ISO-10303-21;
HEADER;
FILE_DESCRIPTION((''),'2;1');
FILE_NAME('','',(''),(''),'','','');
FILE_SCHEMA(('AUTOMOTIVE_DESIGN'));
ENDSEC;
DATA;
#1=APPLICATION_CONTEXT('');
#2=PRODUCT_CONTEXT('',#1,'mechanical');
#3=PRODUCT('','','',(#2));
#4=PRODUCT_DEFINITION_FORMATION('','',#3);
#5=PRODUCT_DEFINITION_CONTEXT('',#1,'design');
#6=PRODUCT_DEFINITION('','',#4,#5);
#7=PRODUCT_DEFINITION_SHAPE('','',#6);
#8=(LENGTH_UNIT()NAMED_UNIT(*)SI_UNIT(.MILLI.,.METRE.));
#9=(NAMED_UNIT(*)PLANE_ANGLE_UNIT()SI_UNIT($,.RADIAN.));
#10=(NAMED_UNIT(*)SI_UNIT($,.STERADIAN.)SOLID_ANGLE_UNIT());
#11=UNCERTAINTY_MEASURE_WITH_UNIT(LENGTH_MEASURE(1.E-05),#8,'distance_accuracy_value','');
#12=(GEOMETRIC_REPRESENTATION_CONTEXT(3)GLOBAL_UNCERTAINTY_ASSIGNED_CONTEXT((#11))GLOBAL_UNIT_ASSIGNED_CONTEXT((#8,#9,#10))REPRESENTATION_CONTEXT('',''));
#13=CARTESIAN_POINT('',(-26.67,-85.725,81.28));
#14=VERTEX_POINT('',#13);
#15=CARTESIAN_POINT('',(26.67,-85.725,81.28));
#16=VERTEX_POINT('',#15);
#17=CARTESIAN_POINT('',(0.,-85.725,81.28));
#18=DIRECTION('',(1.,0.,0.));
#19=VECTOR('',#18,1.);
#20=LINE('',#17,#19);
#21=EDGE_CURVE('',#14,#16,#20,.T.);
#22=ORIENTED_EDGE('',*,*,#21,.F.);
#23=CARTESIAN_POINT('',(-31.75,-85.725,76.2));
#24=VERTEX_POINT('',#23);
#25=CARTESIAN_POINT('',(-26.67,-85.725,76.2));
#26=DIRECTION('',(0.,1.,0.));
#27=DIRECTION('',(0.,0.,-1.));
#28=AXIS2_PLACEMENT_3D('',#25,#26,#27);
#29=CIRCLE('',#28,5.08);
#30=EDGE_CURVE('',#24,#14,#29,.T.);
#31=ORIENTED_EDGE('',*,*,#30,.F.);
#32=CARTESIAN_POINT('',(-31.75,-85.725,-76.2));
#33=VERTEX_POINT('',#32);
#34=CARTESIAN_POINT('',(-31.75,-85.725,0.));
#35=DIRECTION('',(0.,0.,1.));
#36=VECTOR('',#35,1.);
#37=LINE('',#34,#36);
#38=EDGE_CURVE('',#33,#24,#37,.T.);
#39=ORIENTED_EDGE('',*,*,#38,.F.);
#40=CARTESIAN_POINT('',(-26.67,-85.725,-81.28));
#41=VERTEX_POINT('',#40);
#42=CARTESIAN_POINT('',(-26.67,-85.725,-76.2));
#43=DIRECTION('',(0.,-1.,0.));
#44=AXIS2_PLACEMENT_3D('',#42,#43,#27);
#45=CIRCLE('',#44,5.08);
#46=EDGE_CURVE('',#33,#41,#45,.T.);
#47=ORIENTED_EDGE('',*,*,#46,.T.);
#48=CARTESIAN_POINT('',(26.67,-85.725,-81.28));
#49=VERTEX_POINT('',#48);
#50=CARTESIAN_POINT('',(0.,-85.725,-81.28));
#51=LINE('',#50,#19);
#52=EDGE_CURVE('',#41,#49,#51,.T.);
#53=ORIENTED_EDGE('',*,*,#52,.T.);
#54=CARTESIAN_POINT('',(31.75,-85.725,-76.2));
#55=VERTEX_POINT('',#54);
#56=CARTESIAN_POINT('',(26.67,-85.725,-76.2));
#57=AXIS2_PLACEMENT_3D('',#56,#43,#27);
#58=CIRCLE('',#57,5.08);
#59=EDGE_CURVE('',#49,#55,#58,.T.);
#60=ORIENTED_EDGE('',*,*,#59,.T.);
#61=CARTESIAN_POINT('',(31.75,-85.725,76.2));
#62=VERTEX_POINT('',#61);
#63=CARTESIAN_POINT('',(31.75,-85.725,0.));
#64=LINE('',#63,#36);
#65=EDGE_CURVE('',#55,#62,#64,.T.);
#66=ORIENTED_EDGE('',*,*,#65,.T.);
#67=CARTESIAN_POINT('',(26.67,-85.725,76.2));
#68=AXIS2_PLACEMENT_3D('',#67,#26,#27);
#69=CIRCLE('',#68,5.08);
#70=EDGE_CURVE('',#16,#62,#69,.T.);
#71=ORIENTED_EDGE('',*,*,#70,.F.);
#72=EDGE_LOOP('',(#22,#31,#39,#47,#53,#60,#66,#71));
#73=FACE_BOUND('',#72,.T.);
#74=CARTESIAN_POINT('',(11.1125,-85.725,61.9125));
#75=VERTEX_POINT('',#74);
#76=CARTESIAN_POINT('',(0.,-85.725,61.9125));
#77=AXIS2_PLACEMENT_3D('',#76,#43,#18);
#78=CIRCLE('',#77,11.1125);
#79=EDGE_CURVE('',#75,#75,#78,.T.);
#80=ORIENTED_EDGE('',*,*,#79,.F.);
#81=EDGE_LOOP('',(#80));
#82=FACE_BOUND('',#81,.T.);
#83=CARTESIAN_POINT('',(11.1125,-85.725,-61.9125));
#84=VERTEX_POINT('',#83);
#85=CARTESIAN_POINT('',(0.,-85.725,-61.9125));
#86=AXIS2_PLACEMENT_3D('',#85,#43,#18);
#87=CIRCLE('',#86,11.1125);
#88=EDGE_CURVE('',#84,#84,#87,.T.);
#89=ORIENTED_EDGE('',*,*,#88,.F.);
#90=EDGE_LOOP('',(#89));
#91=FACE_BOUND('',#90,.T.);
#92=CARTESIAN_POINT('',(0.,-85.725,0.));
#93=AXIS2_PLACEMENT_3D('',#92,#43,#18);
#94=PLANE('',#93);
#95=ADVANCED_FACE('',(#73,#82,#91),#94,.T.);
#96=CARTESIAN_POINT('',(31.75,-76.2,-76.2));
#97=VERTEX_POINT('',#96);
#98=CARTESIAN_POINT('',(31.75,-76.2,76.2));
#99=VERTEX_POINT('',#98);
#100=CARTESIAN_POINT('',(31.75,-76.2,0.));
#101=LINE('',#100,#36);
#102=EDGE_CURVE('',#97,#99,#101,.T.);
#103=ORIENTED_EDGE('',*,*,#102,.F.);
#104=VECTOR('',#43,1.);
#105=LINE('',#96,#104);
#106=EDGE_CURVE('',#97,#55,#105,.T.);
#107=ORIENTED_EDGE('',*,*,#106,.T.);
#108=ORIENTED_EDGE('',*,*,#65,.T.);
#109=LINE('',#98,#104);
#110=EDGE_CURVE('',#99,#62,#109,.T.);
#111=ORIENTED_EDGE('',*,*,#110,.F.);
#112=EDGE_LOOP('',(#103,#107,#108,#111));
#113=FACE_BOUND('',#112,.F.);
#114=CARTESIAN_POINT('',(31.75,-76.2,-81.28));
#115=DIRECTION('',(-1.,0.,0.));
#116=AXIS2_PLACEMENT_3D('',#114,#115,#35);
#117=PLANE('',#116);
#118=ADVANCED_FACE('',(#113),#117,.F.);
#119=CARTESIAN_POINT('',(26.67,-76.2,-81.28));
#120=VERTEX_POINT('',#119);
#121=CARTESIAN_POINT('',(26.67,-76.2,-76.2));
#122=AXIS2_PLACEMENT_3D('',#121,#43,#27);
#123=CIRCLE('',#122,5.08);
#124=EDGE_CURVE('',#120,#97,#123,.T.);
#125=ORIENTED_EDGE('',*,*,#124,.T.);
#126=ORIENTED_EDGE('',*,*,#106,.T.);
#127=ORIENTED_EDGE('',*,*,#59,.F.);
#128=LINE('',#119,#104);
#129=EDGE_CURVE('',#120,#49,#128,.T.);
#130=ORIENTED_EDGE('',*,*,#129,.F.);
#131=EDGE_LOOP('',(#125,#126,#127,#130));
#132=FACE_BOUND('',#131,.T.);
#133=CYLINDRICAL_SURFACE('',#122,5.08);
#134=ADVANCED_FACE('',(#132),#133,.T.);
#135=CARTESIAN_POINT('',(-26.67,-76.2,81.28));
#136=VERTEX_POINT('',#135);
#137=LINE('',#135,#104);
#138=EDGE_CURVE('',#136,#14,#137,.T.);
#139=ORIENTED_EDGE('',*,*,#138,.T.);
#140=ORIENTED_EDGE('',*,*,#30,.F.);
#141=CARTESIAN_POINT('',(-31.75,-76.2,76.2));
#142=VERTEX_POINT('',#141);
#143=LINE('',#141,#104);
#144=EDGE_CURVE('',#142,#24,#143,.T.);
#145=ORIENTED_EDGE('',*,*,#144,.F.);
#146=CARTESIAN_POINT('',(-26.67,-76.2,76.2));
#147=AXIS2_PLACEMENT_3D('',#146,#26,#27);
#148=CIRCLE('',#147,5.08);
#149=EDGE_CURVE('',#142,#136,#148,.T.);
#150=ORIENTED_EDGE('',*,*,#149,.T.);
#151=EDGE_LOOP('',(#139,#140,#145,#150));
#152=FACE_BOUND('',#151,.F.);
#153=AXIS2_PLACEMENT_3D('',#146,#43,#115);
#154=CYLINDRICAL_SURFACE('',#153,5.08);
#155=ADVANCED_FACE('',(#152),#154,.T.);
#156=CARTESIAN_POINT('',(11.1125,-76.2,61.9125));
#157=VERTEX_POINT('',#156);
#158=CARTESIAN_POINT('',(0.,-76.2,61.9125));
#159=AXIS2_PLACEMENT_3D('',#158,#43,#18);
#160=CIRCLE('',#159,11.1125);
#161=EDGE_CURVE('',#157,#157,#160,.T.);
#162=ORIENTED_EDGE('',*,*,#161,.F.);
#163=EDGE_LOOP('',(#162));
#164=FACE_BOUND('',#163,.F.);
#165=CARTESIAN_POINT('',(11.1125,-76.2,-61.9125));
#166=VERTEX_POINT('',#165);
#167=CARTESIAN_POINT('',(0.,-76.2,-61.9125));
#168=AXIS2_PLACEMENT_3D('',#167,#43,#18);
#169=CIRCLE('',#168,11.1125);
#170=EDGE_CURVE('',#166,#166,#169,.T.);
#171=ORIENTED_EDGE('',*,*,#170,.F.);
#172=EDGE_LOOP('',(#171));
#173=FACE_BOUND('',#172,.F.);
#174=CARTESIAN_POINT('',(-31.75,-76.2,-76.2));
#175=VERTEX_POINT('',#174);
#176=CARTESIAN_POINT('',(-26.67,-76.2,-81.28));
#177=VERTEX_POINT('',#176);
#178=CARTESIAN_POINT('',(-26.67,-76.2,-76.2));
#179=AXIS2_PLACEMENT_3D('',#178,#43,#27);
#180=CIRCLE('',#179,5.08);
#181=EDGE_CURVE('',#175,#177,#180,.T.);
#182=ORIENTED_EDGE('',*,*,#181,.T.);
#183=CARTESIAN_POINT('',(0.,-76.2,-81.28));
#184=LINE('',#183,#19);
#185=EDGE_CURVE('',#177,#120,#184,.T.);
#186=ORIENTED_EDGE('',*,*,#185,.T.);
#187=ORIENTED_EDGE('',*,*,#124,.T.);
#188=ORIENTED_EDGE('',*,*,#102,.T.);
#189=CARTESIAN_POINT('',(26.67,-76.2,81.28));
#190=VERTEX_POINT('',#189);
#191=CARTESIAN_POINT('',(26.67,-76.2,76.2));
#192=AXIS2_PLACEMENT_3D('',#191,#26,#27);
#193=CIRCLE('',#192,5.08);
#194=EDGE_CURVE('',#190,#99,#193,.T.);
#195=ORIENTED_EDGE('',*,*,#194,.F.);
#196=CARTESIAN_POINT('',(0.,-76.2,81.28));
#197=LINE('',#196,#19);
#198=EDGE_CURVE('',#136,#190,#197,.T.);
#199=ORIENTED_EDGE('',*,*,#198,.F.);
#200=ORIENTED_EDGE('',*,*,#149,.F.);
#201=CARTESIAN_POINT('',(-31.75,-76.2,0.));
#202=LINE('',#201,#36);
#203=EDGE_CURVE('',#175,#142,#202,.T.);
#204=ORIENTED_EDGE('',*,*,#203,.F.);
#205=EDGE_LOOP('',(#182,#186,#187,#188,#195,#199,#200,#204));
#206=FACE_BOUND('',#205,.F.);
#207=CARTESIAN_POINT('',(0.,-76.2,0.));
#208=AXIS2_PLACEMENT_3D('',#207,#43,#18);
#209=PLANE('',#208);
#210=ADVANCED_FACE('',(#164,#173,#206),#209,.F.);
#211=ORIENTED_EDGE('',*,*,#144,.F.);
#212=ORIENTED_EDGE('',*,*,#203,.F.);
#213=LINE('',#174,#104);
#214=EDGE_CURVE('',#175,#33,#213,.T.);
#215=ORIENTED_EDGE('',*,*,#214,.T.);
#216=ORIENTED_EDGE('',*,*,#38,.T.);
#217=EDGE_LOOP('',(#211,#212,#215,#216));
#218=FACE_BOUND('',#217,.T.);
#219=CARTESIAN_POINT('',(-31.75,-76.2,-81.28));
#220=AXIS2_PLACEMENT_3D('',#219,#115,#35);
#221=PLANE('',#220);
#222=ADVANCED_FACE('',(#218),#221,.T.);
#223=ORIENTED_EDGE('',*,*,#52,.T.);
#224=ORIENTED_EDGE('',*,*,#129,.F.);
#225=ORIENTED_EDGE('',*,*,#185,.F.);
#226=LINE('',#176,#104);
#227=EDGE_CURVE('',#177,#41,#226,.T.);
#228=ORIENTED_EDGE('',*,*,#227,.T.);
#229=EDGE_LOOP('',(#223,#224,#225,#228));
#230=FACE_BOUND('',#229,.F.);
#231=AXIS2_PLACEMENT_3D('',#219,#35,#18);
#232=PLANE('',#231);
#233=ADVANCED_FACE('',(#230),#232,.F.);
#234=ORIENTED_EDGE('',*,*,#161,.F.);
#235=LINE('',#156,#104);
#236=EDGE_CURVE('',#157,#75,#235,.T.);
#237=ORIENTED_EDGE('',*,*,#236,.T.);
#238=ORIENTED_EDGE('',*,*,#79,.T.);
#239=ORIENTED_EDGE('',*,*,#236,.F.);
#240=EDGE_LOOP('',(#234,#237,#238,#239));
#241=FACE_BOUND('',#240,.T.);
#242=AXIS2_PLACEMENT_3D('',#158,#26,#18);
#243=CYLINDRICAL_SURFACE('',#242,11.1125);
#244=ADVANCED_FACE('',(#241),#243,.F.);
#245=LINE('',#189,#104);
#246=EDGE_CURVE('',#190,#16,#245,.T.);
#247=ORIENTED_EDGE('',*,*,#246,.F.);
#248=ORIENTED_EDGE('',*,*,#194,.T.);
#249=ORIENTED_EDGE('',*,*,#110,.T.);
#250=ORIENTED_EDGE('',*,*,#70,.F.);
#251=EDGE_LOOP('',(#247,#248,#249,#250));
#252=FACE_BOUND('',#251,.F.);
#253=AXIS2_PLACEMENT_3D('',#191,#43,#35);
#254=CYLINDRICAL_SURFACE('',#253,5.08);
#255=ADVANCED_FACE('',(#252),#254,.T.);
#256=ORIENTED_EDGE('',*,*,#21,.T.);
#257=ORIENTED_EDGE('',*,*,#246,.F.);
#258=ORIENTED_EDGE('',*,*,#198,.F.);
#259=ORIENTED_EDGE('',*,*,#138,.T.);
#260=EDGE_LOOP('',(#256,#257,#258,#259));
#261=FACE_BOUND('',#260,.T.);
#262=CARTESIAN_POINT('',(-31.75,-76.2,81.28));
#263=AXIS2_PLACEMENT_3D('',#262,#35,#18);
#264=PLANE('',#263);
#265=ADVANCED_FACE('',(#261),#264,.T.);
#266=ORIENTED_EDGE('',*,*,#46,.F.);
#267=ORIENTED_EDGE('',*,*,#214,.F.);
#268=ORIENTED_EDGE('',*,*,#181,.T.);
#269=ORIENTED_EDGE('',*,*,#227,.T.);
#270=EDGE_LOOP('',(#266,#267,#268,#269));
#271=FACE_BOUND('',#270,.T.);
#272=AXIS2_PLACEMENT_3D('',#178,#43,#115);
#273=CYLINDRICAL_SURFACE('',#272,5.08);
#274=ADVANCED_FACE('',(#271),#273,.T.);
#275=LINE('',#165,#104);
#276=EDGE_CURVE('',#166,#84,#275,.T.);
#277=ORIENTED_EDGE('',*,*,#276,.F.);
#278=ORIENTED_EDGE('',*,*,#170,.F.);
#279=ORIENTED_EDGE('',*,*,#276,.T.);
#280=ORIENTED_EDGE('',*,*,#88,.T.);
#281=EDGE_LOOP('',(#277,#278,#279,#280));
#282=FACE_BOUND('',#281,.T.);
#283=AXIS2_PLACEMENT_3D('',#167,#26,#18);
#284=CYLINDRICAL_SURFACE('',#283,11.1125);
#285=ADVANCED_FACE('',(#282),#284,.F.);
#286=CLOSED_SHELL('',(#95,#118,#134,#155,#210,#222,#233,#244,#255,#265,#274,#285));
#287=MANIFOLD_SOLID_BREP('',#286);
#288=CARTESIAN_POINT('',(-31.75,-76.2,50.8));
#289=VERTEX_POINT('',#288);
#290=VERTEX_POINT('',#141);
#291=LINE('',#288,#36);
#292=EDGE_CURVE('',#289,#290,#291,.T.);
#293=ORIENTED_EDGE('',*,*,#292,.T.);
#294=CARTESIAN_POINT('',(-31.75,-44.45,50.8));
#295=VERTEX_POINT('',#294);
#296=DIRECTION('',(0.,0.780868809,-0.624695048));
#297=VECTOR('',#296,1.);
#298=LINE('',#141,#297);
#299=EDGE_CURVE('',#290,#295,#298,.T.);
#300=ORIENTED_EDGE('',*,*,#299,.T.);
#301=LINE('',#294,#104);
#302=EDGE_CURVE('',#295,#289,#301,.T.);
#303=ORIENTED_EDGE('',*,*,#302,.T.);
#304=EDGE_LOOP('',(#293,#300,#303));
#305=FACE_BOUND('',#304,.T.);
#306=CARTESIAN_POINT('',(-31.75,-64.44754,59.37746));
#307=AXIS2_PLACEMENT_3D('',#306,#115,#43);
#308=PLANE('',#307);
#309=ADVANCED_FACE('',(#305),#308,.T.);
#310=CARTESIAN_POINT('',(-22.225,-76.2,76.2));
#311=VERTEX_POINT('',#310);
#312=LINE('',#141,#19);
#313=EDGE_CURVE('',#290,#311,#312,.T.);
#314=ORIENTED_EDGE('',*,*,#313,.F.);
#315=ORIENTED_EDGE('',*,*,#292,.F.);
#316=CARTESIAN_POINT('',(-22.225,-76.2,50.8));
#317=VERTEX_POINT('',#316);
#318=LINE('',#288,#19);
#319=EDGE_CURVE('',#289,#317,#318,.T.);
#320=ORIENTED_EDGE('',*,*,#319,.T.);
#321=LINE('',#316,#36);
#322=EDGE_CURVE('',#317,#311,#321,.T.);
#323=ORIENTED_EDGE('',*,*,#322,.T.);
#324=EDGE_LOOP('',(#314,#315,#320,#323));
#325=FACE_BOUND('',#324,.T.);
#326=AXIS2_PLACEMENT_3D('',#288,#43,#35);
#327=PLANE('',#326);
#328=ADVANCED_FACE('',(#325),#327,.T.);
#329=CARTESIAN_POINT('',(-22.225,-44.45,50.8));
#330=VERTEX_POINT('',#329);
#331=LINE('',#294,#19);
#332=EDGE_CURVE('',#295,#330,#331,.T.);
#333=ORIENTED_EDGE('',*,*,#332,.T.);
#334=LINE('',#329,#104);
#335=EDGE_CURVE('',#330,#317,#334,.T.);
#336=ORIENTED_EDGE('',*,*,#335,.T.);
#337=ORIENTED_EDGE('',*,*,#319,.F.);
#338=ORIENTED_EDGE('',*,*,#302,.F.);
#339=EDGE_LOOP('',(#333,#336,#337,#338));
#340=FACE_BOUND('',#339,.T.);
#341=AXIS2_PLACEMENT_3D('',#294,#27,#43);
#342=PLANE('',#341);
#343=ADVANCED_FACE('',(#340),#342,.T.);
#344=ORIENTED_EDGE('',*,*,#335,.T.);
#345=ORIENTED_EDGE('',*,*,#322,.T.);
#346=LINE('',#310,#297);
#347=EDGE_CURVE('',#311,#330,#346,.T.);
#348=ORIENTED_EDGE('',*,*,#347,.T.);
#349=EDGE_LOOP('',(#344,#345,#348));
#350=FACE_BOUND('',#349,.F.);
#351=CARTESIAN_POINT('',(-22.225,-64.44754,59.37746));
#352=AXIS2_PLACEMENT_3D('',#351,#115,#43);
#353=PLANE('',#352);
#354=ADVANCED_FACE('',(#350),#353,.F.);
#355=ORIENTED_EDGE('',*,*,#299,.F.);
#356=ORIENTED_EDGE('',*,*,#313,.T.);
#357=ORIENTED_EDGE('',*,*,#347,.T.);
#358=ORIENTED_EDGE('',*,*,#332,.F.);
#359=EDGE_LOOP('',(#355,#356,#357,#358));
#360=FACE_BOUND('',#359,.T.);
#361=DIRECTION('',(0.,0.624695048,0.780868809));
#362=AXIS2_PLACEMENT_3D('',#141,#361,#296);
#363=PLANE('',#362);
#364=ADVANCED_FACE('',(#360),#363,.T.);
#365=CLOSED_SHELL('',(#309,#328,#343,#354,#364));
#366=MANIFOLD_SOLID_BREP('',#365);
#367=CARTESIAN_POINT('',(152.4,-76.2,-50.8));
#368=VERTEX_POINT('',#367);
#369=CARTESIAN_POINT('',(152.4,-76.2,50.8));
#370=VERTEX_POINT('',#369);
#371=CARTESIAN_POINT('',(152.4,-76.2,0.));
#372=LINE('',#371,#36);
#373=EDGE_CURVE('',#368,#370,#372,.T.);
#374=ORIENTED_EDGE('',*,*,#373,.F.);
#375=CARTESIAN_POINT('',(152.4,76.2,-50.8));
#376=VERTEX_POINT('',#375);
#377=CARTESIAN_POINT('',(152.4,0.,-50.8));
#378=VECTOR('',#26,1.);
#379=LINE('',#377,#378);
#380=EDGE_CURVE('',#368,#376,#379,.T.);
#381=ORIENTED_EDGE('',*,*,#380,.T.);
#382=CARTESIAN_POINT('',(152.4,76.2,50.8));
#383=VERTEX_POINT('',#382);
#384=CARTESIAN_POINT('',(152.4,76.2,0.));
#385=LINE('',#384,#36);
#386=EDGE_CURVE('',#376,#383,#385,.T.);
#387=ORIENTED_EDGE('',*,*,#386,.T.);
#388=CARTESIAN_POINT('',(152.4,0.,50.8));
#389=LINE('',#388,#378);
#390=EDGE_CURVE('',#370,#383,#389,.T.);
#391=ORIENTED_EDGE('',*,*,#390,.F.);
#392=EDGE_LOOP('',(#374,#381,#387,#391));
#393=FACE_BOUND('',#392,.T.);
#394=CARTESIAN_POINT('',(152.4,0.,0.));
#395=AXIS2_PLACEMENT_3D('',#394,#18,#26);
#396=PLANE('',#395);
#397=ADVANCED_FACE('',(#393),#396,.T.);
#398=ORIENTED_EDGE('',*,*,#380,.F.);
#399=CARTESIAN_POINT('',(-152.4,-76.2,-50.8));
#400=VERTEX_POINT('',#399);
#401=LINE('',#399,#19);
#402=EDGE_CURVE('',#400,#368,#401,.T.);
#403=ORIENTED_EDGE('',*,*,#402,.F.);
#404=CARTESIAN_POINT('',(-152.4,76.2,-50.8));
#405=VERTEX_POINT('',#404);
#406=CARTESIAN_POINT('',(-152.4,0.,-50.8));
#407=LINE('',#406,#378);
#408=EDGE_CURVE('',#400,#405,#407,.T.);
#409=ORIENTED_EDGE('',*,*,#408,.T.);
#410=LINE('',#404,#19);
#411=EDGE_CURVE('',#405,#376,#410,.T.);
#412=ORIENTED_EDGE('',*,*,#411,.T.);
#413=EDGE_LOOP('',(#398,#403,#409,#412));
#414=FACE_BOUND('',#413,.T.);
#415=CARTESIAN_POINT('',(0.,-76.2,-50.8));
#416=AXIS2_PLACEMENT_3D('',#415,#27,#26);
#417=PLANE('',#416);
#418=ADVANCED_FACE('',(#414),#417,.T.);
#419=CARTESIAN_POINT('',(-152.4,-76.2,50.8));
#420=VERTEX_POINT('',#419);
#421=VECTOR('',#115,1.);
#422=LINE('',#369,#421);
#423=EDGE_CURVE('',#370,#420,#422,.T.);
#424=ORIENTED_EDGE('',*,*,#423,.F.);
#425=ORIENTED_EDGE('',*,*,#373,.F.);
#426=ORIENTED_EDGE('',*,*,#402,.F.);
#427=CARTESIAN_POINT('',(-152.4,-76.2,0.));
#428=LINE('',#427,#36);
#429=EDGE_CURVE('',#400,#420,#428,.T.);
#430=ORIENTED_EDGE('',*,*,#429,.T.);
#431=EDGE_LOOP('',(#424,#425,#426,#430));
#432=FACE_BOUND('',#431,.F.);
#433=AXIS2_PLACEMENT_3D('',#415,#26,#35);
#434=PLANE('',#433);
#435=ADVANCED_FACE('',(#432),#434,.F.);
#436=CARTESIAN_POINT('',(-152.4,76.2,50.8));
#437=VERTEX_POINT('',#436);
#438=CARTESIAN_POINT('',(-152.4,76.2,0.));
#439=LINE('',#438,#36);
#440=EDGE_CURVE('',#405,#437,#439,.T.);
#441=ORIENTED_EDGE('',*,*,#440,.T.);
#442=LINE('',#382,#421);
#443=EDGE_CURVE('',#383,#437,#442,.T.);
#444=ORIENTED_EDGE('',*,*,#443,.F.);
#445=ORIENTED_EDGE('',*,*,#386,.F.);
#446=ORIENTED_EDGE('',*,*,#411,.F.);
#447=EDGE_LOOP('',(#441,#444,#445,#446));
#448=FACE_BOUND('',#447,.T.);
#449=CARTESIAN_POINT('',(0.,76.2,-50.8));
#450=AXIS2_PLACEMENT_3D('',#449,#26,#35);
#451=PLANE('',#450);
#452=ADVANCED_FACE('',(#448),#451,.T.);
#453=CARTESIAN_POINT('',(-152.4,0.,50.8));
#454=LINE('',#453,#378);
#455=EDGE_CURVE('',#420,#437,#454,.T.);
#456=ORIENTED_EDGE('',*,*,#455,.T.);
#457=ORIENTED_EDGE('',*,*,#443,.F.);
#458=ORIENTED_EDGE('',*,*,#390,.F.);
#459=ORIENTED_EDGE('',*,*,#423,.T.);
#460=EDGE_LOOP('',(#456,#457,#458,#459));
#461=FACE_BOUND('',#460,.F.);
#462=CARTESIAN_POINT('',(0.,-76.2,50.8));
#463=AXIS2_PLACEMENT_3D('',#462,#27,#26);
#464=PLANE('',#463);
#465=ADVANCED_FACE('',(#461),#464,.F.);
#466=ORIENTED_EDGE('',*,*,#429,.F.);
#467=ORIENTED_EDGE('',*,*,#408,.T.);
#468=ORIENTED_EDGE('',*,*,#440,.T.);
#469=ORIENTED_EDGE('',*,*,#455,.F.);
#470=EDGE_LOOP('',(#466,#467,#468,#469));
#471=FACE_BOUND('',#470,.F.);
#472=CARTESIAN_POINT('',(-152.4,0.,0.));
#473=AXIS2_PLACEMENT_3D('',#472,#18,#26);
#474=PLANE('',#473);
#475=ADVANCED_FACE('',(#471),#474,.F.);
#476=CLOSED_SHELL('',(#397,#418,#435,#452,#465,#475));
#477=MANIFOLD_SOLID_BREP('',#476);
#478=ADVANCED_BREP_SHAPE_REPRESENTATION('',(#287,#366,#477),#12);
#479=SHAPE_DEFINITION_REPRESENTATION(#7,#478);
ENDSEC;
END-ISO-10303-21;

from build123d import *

# Parameters (mm, degrees)
F0_W     = 152.4
F0_H     = 101.6
F1_DEPTH = 152.4
F2_W     = 63.5
F2_H     = 162.56
F2_R     = 11.1125
F3_DEPTH = 9.525
F4_R     = 5.08
F6_DEPTH = 9.525


with BuildPart() as f1:
    # F0 (on Right) → F1 (new body, symmetric)
    with BuildSketch(Plane.YZ):
        Rectangle(F0_W, F0_H)
    extrude(amount=F1_DEPTH, both=True)


with BuildPart() as f3:
    # F2 (on face) → F3 (new body)
    with BuildSketch(Plane.XZ.offset(76.2)):
        Rectangle(F2_W, F2_H)
        with Locations((0, -61.9125)):
            Circle(F2_R, mode=Mode.SUBTRACT)
        with Locations((0, 61.9125)):
            Circle(F2_R, mode=Mode.SUBTRACT)
    extrude(amount=F3_DEPTH)

    # F4
    f4_edges = [f3.edges().sort_by_distance(p)[0] for p in [
        (-31.75, -80.9625, 81.28),
        (31.75, -80.9625, 81.28),
        (-31.75, -80.9625, -81.28),
        (31.75, -80.9625, -81.28),
    ]]
    fillet(f4_edges, radius=F4_R)


with BuildPart() as f6:
    # F5 (on face) → F6 (new body)
    with BuildSketch(Plane(origin=(-31.75, 0, 0), x_dir=(0, -1, 0), z_dir=(-1, 0, 0))):
        Polygon((44.45, 50.8), (76.2, 50.8), (76.2, 76.2), align=None)
    extrude(amount=-F6_DEPTH)


solid = Compound([f1.part, f3.part, f6.part])
